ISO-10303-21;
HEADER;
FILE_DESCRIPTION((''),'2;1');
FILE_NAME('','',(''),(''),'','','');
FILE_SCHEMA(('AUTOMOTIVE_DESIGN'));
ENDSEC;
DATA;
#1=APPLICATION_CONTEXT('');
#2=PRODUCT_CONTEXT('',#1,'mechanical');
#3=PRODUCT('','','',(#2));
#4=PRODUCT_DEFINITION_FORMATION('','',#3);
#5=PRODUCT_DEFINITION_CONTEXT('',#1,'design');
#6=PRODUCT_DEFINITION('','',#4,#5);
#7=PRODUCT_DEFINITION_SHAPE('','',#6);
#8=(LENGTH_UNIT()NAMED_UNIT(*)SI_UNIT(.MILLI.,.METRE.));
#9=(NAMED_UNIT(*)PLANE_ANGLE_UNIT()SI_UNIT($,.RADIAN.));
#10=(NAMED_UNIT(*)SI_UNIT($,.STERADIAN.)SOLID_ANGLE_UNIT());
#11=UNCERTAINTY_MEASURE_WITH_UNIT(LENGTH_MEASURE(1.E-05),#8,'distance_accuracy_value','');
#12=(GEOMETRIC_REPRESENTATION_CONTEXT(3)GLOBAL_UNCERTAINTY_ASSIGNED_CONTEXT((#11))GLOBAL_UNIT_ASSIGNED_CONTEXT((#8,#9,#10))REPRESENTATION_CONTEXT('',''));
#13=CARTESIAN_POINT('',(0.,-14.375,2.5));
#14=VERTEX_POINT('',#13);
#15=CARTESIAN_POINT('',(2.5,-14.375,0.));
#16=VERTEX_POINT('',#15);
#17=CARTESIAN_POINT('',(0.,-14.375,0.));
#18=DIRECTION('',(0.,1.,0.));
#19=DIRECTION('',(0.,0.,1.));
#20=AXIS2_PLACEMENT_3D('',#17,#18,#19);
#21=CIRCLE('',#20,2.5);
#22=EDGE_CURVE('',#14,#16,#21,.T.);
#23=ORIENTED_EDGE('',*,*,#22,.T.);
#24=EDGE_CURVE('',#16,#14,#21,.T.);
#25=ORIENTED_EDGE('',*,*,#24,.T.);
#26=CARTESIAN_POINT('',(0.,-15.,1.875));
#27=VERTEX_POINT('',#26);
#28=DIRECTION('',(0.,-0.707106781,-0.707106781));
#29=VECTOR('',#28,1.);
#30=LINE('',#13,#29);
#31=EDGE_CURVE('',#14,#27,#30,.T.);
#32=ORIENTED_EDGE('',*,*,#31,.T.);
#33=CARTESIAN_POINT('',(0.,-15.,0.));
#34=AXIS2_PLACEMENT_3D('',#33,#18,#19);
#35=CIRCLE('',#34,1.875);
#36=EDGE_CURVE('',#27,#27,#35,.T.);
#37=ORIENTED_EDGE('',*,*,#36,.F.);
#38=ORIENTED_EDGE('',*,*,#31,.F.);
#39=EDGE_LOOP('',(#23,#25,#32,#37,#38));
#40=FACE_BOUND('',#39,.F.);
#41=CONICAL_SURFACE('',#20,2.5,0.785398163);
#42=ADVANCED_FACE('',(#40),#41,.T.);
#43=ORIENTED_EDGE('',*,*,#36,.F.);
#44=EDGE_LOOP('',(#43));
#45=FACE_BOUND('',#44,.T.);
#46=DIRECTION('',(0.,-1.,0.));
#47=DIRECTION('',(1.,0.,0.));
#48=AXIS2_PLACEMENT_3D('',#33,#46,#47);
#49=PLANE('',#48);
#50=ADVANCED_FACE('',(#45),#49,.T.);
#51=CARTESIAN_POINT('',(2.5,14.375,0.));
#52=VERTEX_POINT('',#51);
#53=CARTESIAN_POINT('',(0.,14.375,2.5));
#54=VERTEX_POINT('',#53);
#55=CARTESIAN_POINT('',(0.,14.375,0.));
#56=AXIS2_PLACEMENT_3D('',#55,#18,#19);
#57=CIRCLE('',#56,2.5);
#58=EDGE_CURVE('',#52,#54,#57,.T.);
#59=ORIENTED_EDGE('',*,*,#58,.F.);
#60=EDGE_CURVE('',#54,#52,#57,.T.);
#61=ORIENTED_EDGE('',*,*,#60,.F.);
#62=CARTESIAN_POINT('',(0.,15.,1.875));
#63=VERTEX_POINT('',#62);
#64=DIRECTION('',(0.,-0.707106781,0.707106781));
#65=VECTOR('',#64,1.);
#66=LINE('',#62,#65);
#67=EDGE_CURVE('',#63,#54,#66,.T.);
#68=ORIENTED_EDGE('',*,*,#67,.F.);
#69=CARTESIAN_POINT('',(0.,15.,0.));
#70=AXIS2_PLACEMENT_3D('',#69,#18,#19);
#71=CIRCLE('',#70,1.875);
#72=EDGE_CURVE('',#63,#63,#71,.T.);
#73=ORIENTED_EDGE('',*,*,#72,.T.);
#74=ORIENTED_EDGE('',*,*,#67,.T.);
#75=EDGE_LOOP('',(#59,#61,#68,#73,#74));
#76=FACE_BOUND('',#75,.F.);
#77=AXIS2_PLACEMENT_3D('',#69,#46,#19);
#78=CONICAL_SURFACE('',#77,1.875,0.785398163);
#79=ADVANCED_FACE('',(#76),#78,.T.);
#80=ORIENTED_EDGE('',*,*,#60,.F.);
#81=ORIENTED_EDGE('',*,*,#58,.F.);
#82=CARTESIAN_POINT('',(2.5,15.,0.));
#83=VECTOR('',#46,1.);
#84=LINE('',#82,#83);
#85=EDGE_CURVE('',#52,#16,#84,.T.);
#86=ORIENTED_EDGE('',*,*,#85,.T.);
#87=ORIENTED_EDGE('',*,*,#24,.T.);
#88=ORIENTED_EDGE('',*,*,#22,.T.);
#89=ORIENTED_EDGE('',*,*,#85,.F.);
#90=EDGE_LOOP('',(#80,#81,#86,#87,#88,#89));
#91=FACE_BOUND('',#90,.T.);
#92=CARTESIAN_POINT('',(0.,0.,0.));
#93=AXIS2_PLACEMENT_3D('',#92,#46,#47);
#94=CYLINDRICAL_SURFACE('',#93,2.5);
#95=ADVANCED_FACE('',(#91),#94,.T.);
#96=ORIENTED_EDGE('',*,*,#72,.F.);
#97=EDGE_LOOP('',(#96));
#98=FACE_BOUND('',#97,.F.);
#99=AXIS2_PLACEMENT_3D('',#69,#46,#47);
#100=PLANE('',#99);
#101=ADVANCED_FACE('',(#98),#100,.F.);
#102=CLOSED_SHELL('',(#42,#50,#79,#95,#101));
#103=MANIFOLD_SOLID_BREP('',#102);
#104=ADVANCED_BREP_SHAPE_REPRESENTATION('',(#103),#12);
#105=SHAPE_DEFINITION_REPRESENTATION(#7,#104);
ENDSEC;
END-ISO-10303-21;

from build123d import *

# Parameters (mm, degrees)
SKETCH_R  = 2.5
PAD_DEPTH = 15


with BuildPart() as part:
    # Sketch → Pad (new body, symmetric)
    with BuildSketch(Plane.XZ):
        Circle(SKETCH_R)
    extrude(amount=PAD_DEPTH, both=True)

    # Sketch001 → Groove (revolve, cut)
    with BuildSketch(Plane.YZ):
        Polygon((-15, 4.5), (15, 4.5), (15, 1.875), (14.375, 2.5), (-14.375, 2.5), (-15, 1.875), align=None)
    revolve(axis=Axis((0, 0, 0), (0, 1, 0)), mode=Mode.SUBTRACT)


solid = part.part
